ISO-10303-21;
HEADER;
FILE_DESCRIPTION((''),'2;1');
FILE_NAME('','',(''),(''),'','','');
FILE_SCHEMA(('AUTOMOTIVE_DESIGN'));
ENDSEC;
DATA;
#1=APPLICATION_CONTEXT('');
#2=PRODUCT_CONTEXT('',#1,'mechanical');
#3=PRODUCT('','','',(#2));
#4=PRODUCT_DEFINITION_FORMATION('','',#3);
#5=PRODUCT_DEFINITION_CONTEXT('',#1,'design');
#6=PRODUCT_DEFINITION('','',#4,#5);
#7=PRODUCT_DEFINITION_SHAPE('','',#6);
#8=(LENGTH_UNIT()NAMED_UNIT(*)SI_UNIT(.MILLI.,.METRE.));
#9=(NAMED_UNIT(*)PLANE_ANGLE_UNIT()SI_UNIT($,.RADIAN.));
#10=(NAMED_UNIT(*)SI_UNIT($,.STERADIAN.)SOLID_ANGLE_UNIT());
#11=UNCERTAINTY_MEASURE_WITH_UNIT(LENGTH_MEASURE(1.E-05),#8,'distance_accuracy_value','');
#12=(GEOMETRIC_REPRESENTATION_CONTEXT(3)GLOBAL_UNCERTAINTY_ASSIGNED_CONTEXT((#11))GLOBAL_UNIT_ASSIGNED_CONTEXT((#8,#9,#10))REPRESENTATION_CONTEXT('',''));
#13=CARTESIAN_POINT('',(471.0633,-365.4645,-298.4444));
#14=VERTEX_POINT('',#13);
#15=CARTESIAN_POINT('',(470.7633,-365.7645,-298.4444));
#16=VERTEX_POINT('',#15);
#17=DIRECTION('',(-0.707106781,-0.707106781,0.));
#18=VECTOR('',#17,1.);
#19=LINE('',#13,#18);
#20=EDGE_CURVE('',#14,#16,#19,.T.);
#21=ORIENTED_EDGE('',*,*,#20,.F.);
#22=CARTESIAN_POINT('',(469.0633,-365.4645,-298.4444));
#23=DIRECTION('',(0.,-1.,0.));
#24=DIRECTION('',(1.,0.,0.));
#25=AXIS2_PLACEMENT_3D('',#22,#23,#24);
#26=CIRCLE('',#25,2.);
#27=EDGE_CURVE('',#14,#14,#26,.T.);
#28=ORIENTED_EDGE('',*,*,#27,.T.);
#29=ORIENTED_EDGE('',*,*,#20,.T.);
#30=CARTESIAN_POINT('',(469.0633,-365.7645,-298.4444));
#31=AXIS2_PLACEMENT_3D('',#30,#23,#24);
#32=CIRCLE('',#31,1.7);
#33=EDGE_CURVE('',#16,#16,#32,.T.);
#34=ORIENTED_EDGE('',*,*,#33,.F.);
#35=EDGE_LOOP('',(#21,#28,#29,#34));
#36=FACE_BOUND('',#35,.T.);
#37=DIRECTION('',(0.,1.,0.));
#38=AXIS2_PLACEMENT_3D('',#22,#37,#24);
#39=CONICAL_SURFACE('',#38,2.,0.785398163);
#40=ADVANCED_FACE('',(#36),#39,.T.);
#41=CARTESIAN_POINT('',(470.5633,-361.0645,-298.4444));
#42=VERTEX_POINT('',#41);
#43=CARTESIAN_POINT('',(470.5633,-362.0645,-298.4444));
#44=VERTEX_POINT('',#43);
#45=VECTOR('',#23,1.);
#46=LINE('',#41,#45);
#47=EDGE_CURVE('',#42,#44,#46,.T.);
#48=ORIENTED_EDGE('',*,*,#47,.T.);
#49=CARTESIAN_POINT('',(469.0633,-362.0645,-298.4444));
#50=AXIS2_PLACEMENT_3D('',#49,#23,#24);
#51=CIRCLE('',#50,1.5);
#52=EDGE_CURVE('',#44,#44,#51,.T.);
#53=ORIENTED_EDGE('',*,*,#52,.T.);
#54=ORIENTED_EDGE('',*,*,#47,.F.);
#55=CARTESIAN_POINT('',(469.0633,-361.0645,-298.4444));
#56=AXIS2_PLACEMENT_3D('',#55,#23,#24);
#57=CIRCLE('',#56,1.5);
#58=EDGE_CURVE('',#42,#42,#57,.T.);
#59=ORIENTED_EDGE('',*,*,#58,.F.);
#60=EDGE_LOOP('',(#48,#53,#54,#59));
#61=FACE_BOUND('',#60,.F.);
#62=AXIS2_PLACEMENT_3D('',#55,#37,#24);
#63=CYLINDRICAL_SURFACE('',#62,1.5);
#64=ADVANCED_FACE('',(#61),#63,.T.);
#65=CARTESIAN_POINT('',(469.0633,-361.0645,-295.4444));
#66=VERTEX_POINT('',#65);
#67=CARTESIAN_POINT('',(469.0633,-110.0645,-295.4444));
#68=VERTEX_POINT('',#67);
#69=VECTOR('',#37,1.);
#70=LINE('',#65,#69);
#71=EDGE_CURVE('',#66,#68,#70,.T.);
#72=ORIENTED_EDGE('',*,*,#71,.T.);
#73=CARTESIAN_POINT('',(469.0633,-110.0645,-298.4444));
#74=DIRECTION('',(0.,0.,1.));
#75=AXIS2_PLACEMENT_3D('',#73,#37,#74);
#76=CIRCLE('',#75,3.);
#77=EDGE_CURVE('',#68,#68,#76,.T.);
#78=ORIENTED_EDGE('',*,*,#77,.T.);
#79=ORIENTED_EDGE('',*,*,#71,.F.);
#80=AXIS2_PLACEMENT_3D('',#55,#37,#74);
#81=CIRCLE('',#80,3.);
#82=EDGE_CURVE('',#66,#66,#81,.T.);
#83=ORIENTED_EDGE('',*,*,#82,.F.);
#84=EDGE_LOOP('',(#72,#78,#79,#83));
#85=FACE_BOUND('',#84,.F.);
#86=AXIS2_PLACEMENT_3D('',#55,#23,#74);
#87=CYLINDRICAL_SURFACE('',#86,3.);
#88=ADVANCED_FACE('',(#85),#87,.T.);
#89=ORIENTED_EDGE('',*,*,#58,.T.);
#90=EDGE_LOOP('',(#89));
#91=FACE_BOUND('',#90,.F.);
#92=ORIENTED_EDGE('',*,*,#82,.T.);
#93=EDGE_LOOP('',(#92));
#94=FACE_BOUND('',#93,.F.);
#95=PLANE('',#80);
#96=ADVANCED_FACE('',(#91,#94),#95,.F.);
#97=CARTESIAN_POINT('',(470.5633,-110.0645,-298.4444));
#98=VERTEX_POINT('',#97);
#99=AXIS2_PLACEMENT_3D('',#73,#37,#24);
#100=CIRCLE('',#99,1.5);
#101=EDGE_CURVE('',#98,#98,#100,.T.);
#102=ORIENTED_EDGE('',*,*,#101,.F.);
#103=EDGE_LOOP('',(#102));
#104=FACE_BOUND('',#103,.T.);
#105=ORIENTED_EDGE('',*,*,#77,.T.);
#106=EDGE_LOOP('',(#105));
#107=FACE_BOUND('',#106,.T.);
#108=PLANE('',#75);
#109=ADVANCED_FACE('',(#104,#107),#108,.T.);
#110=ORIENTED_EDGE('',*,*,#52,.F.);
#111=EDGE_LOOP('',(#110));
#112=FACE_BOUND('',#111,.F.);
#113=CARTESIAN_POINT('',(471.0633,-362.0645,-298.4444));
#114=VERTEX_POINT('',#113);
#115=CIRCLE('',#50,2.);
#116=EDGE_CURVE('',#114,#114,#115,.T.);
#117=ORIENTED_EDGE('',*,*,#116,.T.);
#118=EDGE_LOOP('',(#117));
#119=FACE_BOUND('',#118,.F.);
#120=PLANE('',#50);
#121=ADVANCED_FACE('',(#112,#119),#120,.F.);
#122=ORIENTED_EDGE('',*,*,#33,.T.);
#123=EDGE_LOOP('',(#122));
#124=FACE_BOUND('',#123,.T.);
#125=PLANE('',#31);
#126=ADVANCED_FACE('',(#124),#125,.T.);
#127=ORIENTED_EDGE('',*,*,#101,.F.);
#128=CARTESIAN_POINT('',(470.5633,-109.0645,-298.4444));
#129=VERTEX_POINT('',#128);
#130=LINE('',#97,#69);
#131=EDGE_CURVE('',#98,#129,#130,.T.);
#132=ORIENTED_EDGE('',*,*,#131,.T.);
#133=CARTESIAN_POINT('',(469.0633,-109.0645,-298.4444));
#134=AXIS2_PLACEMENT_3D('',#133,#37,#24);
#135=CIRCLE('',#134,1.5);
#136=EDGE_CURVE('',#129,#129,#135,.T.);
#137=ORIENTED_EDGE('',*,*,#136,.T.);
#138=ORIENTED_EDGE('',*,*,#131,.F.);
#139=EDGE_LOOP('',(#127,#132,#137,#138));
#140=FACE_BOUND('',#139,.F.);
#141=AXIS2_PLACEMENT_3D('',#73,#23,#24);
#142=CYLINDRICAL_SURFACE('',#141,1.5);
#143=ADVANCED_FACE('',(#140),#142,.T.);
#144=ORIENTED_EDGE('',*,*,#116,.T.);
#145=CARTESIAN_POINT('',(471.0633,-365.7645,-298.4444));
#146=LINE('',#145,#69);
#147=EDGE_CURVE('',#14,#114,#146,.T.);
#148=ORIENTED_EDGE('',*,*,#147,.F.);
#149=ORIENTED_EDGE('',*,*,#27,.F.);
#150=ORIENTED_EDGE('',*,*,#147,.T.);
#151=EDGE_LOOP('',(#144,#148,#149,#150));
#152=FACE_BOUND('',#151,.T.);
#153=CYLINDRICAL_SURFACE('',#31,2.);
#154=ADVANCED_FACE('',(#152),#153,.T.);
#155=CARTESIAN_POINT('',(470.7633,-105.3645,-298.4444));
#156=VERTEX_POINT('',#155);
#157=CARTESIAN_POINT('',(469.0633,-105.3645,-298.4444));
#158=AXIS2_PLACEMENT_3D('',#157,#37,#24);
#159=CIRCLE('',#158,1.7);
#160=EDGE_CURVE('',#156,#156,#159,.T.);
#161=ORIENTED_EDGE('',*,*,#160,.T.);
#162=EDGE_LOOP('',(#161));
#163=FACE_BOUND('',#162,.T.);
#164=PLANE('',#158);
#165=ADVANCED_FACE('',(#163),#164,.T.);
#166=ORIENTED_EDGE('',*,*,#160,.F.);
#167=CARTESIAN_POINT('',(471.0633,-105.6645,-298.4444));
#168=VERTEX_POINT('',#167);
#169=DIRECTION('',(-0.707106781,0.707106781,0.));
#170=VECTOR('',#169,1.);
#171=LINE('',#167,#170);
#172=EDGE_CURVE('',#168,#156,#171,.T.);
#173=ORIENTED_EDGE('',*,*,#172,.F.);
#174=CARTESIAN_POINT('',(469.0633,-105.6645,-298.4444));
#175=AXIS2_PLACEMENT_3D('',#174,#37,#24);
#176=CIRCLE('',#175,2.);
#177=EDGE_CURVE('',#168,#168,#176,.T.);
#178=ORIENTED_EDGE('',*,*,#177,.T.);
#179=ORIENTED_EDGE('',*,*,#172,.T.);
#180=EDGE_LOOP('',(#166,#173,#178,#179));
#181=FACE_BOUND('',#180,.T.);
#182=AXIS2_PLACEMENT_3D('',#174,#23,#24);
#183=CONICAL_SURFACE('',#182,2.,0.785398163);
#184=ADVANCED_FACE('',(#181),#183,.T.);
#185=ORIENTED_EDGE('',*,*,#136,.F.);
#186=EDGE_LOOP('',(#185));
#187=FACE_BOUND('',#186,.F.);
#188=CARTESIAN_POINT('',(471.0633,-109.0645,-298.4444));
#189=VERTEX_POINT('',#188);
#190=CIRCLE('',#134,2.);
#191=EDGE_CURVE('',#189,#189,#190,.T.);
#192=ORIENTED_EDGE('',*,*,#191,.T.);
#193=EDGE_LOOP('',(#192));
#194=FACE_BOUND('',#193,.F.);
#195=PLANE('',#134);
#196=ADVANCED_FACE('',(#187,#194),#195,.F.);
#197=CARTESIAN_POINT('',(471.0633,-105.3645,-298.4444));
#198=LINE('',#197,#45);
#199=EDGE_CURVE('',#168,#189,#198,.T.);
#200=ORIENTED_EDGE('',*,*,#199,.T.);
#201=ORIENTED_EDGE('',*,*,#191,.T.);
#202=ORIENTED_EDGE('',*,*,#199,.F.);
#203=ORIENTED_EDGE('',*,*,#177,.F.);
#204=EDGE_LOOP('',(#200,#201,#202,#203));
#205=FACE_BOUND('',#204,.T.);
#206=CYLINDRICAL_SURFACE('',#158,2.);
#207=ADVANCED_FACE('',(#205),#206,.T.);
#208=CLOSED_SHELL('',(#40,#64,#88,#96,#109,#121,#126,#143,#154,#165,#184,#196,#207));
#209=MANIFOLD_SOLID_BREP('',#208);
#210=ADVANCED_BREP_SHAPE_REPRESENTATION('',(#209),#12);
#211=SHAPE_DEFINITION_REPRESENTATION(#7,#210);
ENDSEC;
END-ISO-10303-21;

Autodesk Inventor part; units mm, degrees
ref_plane "YZ Plane" through (0, 0, 0) normal (1, 0, 0) x (0, 1, 0)
ref_plane "XZ Plane" through (0, 0, 0) normal (0, 1, 0) x (-1, 0, 0)
ref_plane "XY Plane" through (0, 0, 0) normal (0, 0, 1) x (1, 0, 0)
ref_plane "Work Plane1" through (469.0633, -361.0645, -298.4444) normal (0, 1, 0) x (0, 0, 1)
sketch "Sketch2" plane through (469.0633, -361.0645, -298.4444) normal (0, 1, 0) x (0, 0, 1)
  circle A0 centre (0, 0) radius 3
  point P0 (298.4444, -469.0633)
  dimension "d6" = 6
extrude "Extrusion1" add sketch "Sketch2" along normal blind 251
sketch "Sketch5" plane through (469.0633, -110.0645, -298.4444) normal (0, 1, 0) x (1, 0, 0)
  circle A0 centre (0, 0) radius 3 projected
  circle A1 centre (0, 0) radius 1.5
  point P0 (-469.0633, -298.4444)
  dimension "d26" = 3
extrude "Extrusion2" add sketch "Sketch5" along normal blind 4.7 contours A1
sketch "Sketch6" plane through (469.0633, -105.3645, -298.4444) normal (0, 1, 0) x (1, 0, 0)
  circle A0 centre (0, 0) radius 1.5 projected
  circle A1 centre (0, 0) radius 2
  point P0 (-469.0633, -298.4444)
  dimension "d29" = 4
extrude "Extrusion3" add sketch "Sketch6" against normal blind 3.7
thread "Thread1" size "M4x0.7" class "6g" standard "ANSI Metric M Profile" full length
chamfer "Chamfer2" distance 0.3 angle 45 1 edges at (467.0633, -105.3645, -298.4444)
sketch "Sketch7" plane through (469.0633, -361.0645, -298.4444) normal (0, -1, 0) x (1, 0, 0)
  circle A0 centre (0, 0) radius 3 projected
  circle A1 centre (0, 0) radius 1.5
  point P0 (-469.0633, 298.4444)
  dimension "d37" = 3
extrude "Extrusion4" add sketch "Sketch7" along normal blind 4.7 contours A1
sketch "Sketch8" plane through (469.0633, -365.7645, -298.4444) normal (0, -1, 0) x (1, 0, 0)
  circle A0 centre (0, 0) radius 1.5 projected
  circle A1 centre (0, 0) radius 2
  point P0 (-469.0633, 298.4444)
  dimension "d40" = 4
extrude "Extrusion5" add sketch "Sketch8" against normal blind 3.7
thread "Thread2" size "M4x0.7" class "6g" standard "ANSI Metric M Profile" full length
chamfer "Chamfer3" distance 0.3 angle 45 1 edges at (467.0633, -365.7645, -298.4444)
properties material "Aluminum 6061"
